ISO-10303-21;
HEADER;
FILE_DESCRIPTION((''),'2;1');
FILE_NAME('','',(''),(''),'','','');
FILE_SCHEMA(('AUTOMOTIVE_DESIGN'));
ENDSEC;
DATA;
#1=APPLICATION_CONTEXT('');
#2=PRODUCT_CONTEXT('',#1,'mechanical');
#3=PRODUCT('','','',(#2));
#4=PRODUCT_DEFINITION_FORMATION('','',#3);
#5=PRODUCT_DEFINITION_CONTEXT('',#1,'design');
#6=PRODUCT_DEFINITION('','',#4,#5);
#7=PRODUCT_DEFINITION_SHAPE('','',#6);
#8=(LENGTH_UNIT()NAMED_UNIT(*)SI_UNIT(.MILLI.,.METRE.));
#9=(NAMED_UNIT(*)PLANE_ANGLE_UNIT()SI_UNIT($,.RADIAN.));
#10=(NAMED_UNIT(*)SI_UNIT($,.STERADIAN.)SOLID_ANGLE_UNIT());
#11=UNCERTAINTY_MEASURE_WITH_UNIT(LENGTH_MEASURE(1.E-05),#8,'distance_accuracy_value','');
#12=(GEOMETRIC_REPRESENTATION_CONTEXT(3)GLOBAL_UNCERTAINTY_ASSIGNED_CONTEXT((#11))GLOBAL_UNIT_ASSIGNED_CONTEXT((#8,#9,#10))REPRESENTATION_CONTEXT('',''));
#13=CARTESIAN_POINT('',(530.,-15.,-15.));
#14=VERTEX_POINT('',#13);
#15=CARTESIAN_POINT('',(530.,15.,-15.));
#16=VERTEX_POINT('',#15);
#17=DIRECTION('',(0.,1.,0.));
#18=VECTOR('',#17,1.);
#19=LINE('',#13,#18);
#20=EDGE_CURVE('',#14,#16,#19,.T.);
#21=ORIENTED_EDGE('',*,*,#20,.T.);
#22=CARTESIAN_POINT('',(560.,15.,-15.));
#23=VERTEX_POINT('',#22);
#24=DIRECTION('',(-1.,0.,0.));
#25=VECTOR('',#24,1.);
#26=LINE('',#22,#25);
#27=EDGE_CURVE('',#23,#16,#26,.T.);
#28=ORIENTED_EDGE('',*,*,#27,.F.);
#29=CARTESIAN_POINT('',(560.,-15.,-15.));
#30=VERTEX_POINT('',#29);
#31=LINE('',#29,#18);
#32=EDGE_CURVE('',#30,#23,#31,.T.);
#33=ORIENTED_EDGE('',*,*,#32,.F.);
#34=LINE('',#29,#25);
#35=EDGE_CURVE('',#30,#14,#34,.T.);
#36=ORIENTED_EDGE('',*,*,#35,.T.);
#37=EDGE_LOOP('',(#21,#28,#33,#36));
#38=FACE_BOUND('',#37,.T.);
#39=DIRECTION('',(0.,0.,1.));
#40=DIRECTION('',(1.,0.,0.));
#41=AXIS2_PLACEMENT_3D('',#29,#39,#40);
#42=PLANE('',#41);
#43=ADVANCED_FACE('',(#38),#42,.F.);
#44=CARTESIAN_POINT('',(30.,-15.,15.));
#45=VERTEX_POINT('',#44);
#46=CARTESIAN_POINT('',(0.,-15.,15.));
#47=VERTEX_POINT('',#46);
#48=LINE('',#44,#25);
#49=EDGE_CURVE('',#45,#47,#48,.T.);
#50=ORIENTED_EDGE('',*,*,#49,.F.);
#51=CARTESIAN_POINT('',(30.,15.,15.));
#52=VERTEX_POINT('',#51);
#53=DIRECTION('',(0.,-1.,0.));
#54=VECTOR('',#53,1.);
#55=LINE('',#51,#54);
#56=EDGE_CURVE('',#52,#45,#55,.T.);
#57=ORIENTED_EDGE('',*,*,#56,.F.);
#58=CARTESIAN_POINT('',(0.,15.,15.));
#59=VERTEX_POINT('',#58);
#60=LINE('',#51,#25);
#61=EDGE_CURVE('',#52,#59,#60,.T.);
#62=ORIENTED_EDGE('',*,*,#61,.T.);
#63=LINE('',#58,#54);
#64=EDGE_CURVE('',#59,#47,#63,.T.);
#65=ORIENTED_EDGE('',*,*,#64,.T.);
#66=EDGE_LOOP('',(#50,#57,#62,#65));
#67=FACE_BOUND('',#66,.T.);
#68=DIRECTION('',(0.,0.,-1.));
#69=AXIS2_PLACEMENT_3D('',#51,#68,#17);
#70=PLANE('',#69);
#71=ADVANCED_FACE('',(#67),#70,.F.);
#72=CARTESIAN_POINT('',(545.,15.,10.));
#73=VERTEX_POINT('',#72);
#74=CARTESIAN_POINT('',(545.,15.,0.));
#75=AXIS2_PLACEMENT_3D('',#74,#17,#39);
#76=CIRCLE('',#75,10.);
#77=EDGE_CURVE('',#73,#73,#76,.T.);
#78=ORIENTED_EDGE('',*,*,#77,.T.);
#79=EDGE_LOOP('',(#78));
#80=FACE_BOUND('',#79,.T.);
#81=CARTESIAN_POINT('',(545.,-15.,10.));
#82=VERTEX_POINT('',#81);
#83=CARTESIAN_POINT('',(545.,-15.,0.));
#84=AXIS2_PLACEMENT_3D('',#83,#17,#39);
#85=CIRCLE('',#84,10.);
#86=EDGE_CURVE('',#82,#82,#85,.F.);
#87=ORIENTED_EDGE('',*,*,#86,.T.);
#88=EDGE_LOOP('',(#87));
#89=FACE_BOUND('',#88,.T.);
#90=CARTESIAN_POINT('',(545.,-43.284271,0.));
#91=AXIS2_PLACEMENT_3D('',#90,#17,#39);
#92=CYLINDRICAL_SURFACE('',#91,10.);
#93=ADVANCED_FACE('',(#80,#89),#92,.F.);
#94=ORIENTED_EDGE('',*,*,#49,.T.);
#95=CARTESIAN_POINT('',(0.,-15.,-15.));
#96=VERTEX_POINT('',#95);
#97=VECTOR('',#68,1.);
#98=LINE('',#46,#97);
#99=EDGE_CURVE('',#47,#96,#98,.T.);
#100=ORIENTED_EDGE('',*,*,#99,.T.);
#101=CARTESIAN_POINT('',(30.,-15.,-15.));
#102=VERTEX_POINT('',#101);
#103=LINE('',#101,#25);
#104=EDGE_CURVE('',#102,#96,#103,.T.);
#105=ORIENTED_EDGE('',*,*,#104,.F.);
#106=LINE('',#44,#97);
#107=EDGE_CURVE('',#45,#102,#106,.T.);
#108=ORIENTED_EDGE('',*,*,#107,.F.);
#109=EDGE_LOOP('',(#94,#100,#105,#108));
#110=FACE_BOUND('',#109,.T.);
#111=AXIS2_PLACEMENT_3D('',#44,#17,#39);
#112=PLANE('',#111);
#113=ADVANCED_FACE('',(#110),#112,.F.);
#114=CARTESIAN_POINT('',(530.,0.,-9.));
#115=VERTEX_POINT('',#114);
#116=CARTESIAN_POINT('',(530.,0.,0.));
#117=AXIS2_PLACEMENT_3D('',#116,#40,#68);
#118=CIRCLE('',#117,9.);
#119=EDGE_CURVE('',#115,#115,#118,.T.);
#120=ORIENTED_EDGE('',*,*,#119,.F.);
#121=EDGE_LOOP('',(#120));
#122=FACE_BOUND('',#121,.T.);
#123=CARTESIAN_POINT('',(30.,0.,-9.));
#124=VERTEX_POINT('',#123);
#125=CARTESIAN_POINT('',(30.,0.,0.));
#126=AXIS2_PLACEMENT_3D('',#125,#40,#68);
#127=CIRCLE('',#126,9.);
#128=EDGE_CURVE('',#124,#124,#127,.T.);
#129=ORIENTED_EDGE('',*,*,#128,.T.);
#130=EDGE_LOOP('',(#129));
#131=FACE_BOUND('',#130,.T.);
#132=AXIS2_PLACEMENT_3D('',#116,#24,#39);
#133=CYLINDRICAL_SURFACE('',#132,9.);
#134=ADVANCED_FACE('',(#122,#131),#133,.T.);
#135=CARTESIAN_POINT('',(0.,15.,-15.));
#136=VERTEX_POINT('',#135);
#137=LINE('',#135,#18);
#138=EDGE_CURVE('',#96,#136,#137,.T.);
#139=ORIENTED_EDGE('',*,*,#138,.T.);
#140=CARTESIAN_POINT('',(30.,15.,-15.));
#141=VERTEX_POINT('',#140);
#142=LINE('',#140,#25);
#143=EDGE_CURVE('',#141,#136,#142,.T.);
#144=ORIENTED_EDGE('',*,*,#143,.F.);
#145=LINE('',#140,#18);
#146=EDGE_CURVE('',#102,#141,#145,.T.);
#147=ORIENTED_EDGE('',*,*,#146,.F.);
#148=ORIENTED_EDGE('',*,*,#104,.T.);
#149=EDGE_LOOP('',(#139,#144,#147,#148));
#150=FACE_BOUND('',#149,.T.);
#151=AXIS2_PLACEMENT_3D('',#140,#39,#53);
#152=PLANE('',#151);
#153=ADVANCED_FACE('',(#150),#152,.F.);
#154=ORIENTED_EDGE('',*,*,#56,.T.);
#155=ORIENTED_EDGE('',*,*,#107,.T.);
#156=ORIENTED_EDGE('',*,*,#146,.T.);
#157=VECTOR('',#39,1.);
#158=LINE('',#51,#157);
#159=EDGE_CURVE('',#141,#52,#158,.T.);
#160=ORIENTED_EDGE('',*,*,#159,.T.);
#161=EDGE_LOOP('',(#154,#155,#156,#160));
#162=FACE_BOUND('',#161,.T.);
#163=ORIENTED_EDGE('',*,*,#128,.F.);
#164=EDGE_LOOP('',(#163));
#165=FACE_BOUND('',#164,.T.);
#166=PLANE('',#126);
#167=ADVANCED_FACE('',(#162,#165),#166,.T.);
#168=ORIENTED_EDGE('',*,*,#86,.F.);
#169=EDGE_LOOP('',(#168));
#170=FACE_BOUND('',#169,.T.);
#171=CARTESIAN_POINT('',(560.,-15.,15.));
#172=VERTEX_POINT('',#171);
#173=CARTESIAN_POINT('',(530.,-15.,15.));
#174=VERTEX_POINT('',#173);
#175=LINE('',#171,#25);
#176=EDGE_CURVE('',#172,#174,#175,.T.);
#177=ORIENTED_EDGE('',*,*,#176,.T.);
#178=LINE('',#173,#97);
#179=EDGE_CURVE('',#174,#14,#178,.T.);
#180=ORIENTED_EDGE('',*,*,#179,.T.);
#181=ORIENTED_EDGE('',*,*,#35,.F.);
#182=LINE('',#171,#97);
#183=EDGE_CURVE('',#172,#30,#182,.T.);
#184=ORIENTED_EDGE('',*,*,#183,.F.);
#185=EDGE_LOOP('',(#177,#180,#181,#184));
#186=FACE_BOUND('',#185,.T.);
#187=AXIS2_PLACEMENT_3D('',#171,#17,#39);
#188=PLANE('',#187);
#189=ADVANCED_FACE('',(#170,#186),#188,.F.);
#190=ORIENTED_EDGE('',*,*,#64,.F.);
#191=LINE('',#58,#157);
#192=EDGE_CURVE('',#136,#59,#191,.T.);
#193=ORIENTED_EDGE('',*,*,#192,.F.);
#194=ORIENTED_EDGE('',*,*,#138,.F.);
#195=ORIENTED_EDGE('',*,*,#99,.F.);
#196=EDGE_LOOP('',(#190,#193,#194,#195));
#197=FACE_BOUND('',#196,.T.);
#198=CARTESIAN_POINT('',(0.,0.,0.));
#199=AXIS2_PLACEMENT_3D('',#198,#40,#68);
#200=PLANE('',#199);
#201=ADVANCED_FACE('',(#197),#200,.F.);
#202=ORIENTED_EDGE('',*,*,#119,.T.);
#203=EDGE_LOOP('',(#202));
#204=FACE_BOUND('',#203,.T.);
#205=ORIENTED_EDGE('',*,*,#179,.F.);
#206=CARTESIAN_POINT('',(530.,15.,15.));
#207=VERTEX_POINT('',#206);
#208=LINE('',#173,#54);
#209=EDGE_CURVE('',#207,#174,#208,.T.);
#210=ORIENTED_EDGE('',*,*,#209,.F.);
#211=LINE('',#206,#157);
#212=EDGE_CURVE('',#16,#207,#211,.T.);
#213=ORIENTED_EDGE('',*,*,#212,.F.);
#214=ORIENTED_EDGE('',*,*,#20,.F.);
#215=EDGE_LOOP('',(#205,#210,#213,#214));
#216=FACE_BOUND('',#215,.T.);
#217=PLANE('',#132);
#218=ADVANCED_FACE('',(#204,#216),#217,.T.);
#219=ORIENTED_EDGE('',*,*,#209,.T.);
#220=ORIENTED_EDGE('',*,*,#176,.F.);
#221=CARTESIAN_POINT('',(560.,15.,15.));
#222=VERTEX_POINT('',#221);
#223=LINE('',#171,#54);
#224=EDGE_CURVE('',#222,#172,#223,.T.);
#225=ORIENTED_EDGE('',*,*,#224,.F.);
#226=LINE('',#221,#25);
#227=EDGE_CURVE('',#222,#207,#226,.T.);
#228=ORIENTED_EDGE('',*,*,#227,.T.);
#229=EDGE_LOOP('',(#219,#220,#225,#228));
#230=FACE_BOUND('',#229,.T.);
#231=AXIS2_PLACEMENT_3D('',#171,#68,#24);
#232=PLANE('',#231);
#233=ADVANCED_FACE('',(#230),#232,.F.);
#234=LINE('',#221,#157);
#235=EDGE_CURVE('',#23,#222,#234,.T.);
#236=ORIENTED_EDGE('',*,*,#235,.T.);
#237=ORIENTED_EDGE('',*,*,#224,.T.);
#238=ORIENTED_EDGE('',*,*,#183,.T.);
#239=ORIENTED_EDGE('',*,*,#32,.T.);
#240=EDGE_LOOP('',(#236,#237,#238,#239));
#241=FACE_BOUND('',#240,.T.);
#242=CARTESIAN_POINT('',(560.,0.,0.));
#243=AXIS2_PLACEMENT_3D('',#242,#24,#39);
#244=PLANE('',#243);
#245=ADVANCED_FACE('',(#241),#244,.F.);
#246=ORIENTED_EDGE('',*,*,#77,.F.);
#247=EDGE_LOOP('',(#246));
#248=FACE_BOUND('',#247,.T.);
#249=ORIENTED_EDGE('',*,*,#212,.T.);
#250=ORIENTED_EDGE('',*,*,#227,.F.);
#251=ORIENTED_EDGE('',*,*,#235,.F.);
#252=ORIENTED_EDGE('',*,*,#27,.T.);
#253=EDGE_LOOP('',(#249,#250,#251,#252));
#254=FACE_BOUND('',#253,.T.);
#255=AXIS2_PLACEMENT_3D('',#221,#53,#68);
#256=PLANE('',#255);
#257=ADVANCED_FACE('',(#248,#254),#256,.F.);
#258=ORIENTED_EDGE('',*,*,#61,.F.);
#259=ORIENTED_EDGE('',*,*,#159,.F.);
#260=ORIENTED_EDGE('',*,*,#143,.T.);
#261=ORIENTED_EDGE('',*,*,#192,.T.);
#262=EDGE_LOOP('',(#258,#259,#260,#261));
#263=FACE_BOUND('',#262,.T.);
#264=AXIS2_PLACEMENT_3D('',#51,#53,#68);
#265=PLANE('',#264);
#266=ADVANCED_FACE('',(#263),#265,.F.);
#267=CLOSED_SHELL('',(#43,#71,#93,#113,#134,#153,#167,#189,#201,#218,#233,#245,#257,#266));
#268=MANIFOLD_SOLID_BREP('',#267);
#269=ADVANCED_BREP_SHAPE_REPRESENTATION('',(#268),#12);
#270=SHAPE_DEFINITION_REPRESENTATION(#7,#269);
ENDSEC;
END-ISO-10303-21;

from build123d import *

# Parameters (mm, degrees)
SKETCH1_W           = 30
SKETCH1_H           = 30
BOSS_EXTRUDE1_DEPTH = 30
SKETCH2_R           = 9
BOSS_EXTRUDE2_DEPTH = 500
SKETCH3_W           = 30
SKETCH3_H           = 30
BOSS_EXTRUDE3_DEPTH = 30
SKETCH4_R           = 10
CUT_EXTRUDE1_DEPTH  = 30


with BuildPart() as part:
    # Sketch1 → Boss-Extrude1 (new body)
    with BuildSketch(Plane(origin=(0, 0, 0), x_dir=(0, 0, -1), z_dir=(1, 0, 0))):
        Rectangle(SKETCH1_W, SKETCH1_H)
    extrude(amount=BOSS_EXTRUDE1_DEPTH)

    # Sketch2 → Boss-Extrude2 (add)
    with BuildSketch(Plane(origin=(30, 0, 0), x_dir=(0, 0, -1), z_dir=(1, 0, 0))):
        Circle(SKETCH2_R)
    extrude(amount=BOSS_EXTRUDE2_DEPTH)

    # Sketch3 → Boss-Extrude3 (add)
    with BuildSketch(Plane(origin=(530, 0, 0), x_dir=(0, 0, -1), z_dir=(1, 0, 0))):
        Rectangle(SKETCH3_W, SKETCH3_H)
    extrude(amount=BOSS_EXTRUDE3_DEPTH)

    # Sketch4 → Cut-Extrude1 (cut)
    with BuildSketch(Plane(origin=(0, 15, 0), x_dir=(1, 0, 0), z_dir=(0, 1, 0))):
        with Locations((545, 0)):
            Circle(SKETCH4_R)
    extrude(amount=-CUT_EXTRUDE1_DEPTH, mode=Mode.SUBTRACT)


solid = part.part
